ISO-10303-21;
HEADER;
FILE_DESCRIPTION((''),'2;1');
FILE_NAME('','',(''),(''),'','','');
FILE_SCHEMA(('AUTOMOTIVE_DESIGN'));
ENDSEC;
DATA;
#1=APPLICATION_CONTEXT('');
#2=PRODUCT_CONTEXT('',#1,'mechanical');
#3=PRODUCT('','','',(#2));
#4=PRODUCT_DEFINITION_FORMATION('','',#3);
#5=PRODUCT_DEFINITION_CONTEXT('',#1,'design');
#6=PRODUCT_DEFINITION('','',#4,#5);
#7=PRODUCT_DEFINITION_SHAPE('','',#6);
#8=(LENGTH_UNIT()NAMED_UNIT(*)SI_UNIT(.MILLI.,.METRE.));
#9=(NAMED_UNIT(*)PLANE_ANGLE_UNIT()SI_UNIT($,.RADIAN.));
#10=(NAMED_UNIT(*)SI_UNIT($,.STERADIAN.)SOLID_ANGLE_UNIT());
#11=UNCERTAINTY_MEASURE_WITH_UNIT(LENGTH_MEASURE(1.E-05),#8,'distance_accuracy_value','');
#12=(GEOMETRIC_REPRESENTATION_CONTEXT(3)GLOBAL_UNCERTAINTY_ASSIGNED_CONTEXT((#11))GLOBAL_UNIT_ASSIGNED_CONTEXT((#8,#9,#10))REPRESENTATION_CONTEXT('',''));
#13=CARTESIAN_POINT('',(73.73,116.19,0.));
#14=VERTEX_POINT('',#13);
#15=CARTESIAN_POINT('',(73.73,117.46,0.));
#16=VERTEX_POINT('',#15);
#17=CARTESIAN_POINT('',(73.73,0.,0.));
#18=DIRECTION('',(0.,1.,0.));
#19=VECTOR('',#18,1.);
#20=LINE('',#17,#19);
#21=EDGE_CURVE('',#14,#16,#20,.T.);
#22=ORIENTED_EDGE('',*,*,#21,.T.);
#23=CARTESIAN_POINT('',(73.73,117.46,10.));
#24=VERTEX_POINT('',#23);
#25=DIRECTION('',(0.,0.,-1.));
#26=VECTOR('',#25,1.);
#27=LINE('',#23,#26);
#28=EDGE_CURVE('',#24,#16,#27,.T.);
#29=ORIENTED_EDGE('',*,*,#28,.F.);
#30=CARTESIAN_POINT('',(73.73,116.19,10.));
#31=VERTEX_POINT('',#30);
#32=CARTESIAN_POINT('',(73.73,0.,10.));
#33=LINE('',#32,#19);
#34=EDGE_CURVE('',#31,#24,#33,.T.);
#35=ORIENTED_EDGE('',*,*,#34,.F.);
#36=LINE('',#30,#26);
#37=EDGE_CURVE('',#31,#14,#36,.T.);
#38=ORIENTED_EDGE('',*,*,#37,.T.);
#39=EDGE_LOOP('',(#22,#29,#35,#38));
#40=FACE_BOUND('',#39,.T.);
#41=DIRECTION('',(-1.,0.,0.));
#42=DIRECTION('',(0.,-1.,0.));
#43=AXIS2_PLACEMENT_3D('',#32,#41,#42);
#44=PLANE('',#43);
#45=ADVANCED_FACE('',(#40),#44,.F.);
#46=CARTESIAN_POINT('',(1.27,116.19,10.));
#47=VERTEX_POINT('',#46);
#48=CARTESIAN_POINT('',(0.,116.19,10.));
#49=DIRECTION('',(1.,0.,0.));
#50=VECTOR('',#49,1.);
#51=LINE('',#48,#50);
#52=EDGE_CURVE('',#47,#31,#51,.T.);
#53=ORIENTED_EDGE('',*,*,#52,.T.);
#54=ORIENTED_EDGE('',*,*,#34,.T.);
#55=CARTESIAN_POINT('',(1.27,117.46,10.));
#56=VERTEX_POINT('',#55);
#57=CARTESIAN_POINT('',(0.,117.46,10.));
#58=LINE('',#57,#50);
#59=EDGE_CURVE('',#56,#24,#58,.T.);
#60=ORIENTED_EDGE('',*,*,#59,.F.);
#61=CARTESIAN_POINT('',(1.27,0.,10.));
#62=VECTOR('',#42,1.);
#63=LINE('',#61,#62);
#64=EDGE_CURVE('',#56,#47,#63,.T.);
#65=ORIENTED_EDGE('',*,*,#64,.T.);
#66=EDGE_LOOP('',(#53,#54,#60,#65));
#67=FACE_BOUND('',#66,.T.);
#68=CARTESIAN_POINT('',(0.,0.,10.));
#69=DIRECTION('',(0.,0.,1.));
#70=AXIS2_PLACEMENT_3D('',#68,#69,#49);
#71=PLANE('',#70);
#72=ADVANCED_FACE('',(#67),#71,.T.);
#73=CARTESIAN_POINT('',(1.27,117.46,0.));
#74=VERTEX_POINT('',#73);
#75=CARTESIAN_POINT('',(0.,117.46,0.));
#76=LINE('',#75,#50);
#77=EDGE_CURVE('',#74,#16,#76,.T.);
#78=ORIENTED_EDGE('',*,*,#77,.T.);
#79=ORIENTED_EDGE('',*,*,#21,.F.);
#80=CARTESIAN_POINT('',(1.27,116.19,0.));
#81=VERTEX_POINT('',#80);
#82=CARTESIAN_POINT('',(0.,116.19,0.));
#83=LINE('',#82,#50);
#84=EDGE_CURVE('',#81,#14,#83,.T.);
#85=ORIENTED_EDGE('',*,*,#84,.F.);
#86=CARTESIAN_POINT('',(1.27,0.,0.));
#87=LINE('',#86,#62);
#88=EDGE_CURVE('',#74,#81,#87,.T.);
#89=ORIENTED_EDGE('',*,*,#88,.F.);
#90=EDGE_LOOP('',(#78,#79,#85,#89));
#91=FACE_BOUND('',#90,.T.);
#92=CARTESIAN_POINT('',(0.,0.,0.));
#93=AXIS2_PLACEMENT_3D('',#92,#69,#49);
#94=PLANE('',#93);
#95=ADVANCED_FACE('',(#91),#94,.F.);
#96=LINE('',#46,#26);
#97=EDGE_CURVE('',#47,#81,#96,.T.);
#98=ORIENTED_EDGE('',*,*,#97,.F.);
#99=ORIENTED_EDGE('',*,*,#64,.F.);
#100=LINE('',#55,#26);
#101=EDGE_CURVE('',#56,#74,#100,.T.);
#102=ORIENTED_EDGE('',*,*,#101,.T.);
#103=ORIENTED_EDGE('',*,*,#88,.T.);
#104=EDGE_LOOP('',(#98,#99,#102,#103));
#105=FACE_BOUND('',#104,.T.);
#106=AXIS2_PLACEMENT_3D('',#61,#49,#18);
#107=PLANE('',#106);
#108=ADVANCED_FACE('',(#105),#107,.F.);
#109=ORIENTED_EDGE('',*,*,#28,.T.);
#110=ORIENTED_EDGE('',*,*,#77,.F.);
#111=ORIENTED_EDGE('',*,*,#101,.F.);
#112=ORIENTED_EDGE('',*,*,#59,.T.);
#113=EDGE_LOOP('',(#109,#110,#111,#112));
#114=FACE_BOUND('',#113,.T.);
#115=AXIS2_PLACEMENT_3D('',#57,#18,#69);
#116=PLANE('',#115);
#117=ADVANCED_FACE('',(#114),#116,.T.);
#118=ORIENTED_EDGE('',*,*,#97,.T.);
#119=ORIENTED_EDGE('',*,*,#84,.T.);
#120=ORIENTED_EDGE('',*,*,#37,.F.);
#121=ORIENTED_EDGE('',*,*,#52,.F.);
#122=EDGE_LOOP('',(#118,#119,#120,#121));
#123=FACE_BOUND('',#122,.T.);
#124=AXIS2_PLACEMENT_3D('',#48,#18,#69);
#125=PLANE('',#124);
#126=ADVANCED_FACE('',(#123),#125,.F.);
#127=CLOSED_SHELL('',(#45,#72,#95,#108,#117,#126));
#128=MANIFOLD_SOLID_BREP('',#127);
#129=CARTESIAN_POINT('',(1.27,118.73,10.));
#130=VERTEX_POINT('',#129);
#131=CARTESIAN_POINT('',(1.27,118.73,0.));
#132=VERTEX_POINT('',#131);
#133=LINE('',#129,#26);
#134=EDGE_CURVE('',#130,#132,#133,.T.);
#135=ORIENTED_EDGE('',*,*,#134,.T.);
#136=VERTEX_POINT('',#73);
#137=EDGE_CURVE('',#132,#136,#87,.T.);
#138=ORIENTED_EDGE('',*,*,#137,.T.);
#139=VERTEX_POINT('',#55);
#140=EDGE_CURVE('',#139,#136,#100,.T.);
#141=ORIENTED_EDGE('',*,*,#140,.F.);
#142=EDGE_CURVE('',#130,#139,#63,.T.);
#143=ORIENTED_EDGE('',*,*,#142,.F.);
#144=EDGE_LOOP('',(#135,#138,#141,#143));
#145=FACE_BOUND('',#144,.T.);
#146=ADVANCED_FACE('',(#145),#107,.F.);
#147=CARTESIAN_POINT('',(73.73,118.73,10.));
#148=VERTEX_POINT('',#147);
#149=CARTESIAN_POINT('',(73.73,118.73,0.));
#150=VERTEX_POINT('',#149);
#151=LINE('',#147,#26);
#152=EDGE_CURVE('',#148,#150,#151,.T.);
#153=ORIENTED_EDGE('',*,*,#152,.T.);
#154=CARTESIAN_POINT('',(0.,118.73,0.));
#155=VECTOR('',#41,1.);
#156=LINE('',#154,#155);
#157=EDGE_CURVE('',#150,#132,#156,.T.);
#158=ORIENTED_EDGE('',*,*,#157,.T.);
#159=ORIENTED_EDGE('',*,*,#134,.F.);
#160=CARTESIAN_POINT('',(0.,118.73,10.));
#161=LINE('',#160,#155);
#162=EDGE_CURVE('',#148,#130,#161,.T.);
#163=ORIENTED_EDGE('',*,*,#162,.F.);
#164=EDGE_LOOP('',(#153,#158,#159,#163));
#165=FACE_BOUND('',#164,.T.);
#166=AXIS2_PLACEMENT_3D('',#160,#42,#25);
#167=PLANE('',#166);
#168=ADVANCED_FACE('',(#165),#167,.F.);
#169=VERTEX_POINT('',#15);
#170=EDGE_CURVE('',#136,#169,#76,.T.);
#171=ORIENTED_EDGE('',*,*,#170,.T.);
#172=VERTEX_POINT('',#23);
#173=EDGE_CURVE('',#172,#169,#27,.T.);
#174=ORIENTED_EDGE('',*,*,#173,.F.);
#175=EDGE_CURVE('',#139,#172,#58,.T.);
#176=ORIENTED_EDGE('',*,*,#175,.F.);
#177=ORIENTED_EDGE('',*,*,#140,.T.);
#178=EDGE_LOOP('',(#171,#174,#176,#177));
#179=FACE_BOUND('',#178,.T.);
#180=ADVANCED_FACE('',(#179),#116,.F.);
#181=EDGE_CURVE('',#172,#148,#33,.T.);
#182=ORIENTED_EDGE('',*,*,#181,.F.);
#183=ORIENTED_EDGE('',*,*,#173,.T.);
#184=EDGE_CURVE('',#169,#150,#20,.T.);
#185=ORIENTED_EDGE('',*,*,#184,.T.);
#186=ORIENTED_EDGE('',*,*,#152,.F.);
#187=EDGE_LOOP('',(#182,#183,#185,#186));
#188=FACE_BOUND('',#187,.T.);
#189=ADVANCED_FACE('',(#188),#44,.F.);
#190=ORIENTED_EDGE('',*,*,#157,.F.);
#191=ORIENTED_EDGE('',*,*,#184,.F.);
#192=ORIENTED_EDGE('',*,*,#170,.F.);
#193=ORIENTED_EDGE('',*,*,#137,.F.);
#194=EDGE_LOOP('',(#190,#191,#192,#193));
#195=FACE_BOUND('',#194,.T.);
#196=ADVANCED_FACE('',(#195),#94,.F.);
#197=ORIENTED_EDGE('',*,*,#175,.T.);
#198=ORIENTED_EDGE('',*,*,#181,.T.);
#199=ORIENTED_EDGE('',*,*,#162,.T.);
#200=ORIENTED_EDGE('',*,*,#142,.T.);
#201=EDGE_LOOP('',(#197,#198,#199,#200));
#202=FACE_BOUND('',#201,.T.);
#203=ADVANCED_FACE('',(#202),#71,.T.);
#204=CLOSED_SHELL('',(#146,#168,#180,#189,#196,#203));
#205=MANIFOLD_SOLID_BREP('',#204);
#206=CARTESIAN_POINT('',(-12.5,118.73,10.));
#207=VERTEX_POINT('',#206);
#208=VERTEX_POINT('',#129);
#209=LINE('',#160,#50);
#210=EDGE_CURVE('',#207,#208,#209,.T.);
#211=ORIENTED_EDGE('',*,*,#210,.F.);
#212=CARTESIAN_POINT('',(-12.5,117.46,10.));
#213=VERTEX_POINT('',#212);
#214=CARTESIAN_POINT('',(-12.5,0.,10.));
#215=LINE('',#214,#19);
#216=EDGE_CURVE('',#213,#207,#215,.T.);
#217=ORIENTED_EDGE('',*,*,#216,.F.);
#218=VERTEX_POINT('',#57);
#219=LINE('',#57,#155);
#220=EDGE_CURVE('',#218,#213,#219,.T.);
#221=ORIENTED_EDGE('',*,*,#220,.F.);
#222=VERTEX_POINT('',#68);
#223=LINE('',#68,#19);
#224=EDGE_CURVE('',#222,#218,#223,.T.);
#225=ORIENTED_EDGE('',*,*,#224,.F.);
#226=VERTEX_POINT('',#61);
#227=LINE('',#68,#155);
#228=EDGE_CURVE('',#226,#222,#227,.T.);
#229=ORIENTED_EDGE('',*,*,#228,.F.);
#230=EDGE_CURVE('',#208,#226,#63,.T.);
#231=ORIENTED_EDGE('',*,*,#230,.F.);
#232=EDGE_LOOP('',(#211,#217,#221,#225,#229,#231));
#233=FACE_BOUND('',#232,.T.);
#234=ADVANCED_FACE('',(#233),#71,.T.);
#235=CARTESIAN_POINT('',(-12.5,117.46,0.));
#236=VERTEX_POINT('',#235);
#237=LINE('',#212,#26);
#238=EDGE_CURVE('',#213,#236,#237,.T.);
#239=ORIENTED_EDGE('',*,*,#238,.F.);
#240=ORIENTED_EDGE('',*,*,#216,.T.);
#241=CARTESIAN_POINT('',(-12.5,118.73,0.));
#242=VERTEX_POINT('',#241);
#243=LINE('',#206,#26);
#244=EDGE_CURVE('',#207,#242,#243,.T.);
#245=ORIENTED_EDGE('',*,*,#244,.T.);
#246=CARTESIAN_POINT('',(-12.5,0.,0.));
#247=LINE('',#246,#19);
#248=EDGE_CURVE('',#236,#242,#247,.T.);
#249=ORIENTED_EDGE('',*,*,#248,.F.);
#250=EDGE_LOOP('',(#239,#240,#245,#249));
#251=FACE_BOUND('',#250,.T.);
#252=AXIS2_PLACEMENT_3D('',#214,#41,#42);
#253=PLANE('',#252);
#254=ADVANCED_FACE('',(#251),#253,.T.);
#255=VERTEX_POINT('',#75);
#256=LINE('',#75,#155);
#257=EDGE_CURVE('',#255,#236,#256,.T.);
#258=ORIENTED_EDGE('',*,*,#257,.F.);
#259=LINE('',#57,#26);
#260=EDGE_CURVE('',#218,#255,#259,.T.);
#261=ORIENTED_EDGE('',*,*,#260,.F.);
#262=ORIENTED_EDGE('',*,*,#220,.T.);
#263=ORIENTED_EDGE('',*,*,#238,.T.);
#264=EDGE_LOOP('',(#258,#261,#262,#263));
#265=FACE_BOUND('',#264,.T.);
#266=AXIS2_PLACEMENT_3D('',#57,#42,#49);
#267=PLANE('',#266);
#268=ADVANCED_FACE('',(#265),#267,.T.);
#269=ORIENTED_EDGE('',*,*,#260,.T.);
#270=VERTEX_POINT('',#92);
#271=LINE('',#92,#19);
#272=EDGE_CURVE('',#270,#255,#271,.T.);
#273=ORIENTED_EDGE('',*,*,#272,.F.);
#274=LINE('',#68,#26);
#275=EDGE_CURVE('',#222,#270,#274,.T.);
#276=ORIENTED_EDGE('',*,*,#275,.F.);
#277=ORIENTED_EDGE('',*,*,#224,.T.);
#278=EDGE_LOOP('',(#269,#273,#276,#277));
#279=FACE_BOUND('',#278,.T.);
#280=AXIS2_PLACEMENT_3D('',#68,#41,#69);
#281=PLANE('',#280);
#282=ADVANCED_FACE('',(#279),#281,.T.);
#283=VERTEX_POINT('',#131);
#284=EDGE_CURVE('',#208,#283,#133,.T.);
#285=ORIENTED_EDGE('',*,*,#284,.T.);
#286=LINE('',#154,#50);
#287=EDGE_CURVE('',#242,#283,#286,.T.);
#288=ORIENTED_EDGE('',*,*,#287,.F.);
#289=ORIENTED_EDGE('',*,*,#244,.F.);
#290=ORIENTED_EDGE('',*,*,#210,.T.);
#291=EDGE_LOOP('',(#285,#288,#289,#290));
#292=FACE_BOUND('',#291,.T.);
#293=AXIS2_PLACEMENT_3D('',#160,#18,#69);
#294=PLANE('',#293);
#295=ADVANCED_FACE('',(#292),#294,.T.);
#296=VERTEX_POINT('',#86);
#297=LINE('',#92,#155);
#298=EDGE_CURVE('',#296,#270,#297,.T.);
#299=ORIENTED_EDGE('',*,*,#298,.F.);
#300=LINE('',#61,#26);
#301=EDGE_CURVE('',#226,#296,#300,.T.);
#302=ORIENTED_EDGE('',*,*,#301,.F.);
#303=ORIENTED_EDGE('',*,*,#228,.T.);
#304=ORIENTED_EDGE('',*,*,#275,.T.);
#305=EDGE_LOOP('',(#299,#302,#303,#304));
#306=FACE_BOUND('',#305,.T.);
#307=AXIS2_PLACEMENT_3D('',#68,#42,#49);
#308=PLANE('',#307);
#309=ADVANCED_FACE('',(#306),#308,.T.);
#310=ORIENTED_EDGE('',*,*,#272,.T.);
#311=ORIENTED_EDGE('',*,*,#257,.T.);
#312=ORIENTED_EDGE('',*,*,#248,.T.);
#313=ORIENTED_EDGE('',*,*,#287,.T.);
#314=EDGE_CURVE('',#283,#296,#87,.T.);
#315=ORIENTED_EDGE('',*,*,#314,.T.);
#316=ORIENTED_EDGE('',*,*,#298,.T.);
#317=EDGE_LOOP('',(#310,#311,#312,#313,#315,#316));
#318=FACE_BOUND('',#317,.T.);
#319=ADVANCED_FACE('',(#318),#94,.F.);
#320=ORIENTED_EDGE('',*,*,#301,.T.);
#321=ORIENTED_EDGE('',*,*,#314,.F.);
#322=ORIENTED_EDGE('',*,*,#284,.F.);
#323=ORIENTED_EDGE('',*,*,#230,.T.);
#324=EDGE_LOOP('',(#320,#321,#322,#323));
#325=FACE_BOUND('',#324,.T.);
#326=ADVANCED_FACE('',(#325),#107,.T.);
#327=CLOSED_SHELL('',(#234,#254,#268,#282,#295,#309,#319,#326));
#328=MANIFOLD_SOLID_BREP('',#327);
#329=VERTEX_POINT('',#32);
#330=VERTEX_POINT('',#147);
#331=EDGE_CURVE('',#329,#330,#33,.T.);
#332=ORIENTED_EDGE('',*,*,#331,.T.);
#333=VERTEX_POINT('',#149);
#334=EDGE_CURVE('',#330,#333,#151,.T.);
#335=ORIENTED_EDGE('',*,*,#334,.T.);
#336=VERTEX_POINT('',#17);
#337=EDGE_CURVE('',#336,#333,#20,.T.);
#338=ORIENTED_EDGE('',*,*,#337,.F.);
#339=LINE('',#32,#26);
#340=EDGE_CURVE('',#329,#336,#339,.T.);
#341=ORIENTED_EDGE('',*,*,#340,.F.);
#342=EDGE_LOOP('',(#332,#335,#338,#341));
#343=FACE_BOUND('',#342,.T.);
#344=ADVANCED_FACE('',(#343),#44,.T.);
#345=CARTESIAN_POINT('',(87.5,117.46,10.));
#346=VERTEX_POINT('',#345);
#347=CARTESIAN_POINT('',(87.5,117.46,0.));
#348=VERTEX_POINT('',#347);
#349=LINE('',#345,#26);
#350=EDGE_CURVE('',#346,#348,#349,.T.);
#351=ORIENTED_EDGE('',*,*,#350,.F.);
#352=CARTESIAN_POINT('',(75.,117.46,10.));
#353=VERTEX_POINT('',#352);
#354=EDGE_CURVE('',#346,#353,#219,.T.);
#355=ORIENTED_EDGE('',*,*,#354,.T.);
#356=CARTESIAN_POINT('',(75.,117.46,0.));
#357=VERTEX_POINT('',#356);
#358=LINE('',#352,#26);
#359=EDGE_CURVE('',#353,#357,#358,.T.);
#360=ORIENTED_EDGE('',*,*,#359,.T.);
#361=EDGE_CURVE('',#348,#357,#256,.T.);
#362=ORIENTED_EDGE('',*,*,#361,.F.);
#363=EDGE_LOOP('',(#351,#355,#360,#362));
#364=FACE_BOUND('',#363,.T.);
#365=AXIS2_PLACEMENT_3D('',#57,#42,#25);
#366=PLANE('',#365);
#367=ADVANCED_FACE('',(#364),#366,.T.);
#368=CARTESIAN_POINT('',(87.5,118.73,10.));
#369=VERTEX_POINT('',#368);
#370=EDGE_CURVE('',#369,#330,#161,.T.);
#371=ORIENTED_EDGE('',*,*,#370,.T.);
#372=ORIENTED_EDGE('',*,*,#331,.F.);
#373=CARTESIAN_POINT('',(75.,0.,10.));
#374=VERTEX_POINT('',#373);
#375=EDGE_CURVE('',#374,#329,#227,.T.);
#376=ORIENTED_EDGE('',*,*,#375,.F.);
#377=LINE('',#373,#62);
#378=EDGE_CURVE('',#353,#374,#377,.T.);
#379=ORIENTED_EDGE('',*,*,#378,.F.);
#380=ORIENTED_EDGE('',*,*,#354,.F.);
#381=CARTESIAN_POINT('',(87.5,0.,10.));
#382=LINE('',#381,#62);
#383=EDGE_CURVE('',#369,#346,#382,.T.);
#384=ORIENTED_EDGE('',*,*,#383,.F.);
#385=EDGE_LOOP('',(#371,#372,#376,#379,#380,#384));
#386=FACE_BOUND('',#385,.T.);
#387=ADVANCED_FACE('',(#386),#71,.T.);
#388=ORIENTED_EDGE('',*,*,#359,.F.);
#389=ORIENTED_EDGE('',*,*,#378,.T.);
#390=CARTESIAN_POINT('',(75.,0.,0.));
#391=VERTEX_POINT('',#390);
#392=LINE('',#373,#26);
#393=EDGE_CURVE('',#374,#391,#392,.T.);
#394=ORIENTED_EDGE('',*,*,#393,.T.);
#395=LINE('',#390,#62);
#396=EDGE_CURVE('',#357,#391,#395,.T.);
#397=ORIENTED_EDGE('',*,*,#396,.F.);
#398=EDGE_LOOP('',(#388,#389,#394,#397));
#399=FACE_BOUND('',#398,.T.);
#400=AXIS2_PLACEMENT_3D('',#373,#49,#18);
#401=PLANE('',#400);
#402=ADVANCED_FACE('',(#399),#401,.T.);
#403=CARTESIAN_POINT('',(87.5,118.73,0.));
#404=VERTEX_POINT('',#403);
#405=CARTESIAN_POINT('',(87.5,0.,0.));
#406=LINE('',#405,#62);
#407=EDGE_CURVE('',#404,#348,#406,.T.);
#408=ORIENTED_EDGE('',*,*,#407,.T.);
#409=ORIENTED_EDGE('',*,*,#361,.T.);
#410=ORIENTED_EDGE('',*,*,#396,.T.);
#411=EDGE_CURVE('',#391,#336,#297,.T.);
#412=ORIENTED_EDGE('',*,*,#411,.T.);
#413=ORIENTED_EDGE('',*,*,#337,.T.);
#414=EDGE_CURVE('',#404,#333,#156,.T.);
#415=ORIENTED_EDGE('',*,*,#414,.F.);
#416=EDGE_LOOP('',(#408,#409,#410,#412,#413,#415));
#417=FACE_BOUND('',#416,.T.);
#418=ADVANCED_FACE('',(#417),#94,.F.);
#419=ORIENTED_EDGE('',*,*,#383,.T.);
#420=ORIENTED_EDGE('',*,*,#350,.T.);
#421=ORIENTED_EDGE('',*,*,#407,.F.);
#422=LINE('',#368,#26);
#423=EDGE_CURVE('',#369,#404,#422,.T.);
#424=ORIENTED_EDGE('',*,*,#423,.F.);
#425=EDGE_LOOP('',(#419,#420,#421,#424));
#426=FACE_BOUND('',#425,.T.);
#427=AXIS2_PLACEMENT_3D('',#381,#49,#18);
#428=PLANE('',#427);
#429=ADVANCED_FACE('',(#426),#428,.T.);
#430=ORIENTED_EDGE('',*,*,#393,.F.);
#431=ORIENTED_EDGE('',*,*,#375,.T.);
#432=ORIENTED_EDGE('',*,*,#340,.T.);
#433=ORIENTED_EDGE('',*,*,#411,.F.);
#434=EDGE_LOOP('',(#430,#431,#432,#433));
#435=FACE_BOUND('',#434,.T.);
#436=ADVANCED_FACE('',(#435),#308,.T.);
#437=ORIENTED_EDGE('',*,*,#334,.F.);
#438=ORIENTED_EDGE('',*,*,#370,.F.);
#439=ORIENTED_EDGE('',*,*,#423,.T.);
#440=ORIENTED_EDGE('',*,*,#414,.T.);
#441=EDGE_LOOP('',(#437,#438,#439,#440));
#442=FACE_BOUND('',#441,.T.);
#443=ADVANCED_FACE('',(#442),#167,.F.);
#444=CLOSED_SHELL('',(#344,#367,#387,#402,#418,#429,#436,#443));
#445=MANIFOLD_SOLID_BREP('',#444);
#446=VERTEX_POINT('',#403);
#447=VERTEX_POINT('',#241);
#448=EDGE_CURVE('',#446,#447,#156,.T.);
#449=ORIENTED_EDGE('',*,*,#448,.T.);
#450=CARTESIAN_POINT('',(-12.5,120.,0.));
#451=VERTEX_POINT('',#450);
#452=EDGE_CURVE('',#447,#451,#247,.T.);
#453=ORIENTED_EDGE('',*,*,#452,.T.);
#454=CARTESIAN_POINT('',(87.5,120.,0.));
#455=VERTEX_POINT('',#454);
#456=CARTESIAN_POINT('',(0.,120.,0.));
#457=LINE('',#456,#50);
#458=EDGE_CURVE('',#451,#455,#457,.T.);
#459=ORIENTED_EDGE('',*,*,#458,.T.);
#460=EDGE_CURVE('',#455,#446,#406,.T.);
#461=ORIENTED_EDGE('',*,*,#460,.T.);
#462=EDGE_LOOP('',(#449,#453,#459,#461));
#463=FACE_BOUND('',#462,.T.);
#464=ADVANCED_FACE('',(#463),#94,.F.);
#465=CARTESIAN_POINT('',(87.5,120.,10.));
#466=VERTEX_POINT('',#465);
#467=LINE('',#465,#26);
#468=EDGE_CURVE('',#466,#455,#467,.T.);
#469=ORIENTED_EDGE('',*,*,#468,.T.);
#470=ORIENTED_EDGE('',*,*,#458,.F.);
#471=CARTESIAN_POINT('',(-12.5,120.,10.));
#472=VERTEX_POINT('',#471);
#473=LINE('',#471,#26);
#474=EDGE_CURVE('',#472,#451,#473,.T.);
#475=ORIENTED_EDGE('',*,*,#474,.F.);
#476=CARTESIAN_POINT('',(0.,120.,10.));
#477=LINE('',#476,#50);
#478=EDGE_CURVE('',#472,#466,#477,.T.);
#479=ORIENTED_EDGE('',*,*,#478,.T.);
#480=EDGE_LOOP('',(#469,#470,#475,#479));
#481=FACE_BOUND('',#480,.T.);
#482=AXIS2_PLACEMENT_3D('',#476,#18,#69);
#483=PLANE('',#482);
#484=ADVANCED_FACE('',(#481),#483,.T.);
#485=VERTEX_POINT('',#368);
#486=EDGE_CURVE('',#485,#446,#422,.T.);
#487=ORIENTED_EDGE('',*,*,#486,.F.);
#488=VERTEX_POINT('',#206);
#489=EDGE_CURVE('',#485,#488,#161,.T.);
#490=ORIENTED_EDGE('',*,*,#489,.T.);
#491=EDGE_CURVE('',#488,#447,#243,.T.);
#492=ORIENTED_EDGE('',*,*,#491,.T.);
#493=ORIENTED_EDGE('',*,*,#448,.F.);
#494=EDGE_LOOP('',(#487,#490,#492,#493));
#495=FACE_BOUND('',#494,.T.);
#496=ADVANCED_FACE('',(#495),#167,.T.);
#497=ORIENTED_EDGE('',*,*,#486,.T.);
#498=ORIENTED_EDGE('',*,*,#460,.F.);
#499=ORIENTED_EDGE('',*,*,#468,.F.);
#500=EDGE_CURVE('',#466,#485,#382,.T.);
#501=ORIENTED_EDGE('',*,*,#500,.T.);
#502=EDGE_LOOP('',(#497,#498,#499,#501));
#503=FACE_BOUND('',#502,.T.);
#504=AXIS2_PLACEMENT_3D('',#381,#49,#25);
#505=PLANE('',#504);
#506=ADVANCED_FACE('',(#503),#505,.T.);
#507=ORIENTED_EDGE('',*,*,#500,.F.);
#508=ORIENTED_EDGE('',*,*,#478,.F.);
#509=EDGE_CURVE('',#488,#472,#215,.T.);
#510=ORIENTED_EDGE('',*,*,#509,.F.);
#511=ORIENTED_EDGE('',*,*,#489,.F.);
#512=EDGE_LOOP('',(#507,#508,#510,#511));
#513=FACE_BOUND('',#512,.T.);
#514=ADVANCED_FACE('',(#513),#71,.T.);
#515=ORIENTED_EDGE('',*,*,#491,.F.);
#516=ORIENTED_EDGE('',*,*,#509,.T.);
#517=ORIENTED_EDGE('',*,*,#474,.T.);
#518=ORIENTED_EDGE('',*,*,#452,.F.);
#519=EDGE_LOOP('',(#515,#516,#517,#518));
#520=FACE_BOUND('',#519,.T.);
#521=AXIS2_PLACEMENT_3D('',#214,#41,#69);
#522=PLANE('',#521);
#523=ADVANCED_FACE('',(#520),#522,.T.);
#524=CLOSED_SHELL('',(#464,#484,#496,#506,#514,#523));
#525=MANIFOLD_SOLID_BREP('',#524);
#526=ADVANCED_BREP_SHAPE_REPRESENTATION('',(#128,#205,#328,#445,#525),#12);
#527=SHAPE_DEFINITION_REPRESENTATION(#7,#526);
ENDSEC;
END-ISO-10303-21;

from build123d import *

# Parameters (mm, degrees)
BOSS_EXTRUDE1_DEPTH   = 10
BOSS_EXTRUDE1_2_DEPTH = 10
SKETCH2_4_W           = 72.46
SKETCH2_4_H           = 1.27
BOSS_EXTRUDE2_DEPTH   = 10
BOSS_EXTRUDE3_DEPTH   = 10
SKETCH2_7_W           = 72.46
SKETCH2_7_H           = 1.27
BOSS_EXTRUDE4_DEPTH   = 10


with BuildPart() as part:
    # Sketch2 → Boss-Extrude1 (new body)
    with BuildSketch(Plane.XY):
        Polygon((0, 117.46), (0, 0), (1.27, 0), (1.27, 118.73), (-12.5, 118.73), (-12.5, 117.46), align=None)
    extrude(amount=BOSS_EXTRUDE1_DEPTH)


with BuildPart() as body_2:
    # Sketch2 → Boss-Extrude1 2 (new body)
    with BuildSketch(Plane.XY):
        Polygon((73.73, 118.73), (73.73, 0), (75, 0), (75, 117.46), (87.5, 117.46), (87.5, 118.73), align=None)
    extrude(amount=BOSS_EXTRUDE1_2_DEPTH)


with BuildPart() as body_3:
    # Sketch2<4> → Boss-Extrude2 (new body)
    with BuildSketch(Plane.XY):
        with Locations((37.5, 118.095)):
            Rectangle(SKETCH2_4_W, SKETCH2_4_H)
    extrude(amount=BOSS_EXTRUDE2_DEPTH)


with BuildPart() as body_4:
    # Sketch2<5> → Boss-Extrude3 (new body)
    with BuildSketch(Plane.XY):
        Polygon((-12.5, 120), (-12.5, 118.73), (1.27, 118.73), (73.73, 118.73), (87.5, 118.73), (87.5, 120), align=None)
    extrude(amount=BOSS_EXTRUDE3_DEPTH)


with BuildPart() as body_5:
    # Sketch2<7> → Boss-Extrude4 (new body)
    with BuildSketch(Plane.XY):
        with Locations((37.5, 116.825)):
            Rectangle(SKETCH2_7_W, SKETCH2_7_H)
    extrude(amount=BOSS_EXTRUDE4_DEPTH)


solid = Compound([part.part, body_2.part, body_3.part, body_4.part, body_5.part])
